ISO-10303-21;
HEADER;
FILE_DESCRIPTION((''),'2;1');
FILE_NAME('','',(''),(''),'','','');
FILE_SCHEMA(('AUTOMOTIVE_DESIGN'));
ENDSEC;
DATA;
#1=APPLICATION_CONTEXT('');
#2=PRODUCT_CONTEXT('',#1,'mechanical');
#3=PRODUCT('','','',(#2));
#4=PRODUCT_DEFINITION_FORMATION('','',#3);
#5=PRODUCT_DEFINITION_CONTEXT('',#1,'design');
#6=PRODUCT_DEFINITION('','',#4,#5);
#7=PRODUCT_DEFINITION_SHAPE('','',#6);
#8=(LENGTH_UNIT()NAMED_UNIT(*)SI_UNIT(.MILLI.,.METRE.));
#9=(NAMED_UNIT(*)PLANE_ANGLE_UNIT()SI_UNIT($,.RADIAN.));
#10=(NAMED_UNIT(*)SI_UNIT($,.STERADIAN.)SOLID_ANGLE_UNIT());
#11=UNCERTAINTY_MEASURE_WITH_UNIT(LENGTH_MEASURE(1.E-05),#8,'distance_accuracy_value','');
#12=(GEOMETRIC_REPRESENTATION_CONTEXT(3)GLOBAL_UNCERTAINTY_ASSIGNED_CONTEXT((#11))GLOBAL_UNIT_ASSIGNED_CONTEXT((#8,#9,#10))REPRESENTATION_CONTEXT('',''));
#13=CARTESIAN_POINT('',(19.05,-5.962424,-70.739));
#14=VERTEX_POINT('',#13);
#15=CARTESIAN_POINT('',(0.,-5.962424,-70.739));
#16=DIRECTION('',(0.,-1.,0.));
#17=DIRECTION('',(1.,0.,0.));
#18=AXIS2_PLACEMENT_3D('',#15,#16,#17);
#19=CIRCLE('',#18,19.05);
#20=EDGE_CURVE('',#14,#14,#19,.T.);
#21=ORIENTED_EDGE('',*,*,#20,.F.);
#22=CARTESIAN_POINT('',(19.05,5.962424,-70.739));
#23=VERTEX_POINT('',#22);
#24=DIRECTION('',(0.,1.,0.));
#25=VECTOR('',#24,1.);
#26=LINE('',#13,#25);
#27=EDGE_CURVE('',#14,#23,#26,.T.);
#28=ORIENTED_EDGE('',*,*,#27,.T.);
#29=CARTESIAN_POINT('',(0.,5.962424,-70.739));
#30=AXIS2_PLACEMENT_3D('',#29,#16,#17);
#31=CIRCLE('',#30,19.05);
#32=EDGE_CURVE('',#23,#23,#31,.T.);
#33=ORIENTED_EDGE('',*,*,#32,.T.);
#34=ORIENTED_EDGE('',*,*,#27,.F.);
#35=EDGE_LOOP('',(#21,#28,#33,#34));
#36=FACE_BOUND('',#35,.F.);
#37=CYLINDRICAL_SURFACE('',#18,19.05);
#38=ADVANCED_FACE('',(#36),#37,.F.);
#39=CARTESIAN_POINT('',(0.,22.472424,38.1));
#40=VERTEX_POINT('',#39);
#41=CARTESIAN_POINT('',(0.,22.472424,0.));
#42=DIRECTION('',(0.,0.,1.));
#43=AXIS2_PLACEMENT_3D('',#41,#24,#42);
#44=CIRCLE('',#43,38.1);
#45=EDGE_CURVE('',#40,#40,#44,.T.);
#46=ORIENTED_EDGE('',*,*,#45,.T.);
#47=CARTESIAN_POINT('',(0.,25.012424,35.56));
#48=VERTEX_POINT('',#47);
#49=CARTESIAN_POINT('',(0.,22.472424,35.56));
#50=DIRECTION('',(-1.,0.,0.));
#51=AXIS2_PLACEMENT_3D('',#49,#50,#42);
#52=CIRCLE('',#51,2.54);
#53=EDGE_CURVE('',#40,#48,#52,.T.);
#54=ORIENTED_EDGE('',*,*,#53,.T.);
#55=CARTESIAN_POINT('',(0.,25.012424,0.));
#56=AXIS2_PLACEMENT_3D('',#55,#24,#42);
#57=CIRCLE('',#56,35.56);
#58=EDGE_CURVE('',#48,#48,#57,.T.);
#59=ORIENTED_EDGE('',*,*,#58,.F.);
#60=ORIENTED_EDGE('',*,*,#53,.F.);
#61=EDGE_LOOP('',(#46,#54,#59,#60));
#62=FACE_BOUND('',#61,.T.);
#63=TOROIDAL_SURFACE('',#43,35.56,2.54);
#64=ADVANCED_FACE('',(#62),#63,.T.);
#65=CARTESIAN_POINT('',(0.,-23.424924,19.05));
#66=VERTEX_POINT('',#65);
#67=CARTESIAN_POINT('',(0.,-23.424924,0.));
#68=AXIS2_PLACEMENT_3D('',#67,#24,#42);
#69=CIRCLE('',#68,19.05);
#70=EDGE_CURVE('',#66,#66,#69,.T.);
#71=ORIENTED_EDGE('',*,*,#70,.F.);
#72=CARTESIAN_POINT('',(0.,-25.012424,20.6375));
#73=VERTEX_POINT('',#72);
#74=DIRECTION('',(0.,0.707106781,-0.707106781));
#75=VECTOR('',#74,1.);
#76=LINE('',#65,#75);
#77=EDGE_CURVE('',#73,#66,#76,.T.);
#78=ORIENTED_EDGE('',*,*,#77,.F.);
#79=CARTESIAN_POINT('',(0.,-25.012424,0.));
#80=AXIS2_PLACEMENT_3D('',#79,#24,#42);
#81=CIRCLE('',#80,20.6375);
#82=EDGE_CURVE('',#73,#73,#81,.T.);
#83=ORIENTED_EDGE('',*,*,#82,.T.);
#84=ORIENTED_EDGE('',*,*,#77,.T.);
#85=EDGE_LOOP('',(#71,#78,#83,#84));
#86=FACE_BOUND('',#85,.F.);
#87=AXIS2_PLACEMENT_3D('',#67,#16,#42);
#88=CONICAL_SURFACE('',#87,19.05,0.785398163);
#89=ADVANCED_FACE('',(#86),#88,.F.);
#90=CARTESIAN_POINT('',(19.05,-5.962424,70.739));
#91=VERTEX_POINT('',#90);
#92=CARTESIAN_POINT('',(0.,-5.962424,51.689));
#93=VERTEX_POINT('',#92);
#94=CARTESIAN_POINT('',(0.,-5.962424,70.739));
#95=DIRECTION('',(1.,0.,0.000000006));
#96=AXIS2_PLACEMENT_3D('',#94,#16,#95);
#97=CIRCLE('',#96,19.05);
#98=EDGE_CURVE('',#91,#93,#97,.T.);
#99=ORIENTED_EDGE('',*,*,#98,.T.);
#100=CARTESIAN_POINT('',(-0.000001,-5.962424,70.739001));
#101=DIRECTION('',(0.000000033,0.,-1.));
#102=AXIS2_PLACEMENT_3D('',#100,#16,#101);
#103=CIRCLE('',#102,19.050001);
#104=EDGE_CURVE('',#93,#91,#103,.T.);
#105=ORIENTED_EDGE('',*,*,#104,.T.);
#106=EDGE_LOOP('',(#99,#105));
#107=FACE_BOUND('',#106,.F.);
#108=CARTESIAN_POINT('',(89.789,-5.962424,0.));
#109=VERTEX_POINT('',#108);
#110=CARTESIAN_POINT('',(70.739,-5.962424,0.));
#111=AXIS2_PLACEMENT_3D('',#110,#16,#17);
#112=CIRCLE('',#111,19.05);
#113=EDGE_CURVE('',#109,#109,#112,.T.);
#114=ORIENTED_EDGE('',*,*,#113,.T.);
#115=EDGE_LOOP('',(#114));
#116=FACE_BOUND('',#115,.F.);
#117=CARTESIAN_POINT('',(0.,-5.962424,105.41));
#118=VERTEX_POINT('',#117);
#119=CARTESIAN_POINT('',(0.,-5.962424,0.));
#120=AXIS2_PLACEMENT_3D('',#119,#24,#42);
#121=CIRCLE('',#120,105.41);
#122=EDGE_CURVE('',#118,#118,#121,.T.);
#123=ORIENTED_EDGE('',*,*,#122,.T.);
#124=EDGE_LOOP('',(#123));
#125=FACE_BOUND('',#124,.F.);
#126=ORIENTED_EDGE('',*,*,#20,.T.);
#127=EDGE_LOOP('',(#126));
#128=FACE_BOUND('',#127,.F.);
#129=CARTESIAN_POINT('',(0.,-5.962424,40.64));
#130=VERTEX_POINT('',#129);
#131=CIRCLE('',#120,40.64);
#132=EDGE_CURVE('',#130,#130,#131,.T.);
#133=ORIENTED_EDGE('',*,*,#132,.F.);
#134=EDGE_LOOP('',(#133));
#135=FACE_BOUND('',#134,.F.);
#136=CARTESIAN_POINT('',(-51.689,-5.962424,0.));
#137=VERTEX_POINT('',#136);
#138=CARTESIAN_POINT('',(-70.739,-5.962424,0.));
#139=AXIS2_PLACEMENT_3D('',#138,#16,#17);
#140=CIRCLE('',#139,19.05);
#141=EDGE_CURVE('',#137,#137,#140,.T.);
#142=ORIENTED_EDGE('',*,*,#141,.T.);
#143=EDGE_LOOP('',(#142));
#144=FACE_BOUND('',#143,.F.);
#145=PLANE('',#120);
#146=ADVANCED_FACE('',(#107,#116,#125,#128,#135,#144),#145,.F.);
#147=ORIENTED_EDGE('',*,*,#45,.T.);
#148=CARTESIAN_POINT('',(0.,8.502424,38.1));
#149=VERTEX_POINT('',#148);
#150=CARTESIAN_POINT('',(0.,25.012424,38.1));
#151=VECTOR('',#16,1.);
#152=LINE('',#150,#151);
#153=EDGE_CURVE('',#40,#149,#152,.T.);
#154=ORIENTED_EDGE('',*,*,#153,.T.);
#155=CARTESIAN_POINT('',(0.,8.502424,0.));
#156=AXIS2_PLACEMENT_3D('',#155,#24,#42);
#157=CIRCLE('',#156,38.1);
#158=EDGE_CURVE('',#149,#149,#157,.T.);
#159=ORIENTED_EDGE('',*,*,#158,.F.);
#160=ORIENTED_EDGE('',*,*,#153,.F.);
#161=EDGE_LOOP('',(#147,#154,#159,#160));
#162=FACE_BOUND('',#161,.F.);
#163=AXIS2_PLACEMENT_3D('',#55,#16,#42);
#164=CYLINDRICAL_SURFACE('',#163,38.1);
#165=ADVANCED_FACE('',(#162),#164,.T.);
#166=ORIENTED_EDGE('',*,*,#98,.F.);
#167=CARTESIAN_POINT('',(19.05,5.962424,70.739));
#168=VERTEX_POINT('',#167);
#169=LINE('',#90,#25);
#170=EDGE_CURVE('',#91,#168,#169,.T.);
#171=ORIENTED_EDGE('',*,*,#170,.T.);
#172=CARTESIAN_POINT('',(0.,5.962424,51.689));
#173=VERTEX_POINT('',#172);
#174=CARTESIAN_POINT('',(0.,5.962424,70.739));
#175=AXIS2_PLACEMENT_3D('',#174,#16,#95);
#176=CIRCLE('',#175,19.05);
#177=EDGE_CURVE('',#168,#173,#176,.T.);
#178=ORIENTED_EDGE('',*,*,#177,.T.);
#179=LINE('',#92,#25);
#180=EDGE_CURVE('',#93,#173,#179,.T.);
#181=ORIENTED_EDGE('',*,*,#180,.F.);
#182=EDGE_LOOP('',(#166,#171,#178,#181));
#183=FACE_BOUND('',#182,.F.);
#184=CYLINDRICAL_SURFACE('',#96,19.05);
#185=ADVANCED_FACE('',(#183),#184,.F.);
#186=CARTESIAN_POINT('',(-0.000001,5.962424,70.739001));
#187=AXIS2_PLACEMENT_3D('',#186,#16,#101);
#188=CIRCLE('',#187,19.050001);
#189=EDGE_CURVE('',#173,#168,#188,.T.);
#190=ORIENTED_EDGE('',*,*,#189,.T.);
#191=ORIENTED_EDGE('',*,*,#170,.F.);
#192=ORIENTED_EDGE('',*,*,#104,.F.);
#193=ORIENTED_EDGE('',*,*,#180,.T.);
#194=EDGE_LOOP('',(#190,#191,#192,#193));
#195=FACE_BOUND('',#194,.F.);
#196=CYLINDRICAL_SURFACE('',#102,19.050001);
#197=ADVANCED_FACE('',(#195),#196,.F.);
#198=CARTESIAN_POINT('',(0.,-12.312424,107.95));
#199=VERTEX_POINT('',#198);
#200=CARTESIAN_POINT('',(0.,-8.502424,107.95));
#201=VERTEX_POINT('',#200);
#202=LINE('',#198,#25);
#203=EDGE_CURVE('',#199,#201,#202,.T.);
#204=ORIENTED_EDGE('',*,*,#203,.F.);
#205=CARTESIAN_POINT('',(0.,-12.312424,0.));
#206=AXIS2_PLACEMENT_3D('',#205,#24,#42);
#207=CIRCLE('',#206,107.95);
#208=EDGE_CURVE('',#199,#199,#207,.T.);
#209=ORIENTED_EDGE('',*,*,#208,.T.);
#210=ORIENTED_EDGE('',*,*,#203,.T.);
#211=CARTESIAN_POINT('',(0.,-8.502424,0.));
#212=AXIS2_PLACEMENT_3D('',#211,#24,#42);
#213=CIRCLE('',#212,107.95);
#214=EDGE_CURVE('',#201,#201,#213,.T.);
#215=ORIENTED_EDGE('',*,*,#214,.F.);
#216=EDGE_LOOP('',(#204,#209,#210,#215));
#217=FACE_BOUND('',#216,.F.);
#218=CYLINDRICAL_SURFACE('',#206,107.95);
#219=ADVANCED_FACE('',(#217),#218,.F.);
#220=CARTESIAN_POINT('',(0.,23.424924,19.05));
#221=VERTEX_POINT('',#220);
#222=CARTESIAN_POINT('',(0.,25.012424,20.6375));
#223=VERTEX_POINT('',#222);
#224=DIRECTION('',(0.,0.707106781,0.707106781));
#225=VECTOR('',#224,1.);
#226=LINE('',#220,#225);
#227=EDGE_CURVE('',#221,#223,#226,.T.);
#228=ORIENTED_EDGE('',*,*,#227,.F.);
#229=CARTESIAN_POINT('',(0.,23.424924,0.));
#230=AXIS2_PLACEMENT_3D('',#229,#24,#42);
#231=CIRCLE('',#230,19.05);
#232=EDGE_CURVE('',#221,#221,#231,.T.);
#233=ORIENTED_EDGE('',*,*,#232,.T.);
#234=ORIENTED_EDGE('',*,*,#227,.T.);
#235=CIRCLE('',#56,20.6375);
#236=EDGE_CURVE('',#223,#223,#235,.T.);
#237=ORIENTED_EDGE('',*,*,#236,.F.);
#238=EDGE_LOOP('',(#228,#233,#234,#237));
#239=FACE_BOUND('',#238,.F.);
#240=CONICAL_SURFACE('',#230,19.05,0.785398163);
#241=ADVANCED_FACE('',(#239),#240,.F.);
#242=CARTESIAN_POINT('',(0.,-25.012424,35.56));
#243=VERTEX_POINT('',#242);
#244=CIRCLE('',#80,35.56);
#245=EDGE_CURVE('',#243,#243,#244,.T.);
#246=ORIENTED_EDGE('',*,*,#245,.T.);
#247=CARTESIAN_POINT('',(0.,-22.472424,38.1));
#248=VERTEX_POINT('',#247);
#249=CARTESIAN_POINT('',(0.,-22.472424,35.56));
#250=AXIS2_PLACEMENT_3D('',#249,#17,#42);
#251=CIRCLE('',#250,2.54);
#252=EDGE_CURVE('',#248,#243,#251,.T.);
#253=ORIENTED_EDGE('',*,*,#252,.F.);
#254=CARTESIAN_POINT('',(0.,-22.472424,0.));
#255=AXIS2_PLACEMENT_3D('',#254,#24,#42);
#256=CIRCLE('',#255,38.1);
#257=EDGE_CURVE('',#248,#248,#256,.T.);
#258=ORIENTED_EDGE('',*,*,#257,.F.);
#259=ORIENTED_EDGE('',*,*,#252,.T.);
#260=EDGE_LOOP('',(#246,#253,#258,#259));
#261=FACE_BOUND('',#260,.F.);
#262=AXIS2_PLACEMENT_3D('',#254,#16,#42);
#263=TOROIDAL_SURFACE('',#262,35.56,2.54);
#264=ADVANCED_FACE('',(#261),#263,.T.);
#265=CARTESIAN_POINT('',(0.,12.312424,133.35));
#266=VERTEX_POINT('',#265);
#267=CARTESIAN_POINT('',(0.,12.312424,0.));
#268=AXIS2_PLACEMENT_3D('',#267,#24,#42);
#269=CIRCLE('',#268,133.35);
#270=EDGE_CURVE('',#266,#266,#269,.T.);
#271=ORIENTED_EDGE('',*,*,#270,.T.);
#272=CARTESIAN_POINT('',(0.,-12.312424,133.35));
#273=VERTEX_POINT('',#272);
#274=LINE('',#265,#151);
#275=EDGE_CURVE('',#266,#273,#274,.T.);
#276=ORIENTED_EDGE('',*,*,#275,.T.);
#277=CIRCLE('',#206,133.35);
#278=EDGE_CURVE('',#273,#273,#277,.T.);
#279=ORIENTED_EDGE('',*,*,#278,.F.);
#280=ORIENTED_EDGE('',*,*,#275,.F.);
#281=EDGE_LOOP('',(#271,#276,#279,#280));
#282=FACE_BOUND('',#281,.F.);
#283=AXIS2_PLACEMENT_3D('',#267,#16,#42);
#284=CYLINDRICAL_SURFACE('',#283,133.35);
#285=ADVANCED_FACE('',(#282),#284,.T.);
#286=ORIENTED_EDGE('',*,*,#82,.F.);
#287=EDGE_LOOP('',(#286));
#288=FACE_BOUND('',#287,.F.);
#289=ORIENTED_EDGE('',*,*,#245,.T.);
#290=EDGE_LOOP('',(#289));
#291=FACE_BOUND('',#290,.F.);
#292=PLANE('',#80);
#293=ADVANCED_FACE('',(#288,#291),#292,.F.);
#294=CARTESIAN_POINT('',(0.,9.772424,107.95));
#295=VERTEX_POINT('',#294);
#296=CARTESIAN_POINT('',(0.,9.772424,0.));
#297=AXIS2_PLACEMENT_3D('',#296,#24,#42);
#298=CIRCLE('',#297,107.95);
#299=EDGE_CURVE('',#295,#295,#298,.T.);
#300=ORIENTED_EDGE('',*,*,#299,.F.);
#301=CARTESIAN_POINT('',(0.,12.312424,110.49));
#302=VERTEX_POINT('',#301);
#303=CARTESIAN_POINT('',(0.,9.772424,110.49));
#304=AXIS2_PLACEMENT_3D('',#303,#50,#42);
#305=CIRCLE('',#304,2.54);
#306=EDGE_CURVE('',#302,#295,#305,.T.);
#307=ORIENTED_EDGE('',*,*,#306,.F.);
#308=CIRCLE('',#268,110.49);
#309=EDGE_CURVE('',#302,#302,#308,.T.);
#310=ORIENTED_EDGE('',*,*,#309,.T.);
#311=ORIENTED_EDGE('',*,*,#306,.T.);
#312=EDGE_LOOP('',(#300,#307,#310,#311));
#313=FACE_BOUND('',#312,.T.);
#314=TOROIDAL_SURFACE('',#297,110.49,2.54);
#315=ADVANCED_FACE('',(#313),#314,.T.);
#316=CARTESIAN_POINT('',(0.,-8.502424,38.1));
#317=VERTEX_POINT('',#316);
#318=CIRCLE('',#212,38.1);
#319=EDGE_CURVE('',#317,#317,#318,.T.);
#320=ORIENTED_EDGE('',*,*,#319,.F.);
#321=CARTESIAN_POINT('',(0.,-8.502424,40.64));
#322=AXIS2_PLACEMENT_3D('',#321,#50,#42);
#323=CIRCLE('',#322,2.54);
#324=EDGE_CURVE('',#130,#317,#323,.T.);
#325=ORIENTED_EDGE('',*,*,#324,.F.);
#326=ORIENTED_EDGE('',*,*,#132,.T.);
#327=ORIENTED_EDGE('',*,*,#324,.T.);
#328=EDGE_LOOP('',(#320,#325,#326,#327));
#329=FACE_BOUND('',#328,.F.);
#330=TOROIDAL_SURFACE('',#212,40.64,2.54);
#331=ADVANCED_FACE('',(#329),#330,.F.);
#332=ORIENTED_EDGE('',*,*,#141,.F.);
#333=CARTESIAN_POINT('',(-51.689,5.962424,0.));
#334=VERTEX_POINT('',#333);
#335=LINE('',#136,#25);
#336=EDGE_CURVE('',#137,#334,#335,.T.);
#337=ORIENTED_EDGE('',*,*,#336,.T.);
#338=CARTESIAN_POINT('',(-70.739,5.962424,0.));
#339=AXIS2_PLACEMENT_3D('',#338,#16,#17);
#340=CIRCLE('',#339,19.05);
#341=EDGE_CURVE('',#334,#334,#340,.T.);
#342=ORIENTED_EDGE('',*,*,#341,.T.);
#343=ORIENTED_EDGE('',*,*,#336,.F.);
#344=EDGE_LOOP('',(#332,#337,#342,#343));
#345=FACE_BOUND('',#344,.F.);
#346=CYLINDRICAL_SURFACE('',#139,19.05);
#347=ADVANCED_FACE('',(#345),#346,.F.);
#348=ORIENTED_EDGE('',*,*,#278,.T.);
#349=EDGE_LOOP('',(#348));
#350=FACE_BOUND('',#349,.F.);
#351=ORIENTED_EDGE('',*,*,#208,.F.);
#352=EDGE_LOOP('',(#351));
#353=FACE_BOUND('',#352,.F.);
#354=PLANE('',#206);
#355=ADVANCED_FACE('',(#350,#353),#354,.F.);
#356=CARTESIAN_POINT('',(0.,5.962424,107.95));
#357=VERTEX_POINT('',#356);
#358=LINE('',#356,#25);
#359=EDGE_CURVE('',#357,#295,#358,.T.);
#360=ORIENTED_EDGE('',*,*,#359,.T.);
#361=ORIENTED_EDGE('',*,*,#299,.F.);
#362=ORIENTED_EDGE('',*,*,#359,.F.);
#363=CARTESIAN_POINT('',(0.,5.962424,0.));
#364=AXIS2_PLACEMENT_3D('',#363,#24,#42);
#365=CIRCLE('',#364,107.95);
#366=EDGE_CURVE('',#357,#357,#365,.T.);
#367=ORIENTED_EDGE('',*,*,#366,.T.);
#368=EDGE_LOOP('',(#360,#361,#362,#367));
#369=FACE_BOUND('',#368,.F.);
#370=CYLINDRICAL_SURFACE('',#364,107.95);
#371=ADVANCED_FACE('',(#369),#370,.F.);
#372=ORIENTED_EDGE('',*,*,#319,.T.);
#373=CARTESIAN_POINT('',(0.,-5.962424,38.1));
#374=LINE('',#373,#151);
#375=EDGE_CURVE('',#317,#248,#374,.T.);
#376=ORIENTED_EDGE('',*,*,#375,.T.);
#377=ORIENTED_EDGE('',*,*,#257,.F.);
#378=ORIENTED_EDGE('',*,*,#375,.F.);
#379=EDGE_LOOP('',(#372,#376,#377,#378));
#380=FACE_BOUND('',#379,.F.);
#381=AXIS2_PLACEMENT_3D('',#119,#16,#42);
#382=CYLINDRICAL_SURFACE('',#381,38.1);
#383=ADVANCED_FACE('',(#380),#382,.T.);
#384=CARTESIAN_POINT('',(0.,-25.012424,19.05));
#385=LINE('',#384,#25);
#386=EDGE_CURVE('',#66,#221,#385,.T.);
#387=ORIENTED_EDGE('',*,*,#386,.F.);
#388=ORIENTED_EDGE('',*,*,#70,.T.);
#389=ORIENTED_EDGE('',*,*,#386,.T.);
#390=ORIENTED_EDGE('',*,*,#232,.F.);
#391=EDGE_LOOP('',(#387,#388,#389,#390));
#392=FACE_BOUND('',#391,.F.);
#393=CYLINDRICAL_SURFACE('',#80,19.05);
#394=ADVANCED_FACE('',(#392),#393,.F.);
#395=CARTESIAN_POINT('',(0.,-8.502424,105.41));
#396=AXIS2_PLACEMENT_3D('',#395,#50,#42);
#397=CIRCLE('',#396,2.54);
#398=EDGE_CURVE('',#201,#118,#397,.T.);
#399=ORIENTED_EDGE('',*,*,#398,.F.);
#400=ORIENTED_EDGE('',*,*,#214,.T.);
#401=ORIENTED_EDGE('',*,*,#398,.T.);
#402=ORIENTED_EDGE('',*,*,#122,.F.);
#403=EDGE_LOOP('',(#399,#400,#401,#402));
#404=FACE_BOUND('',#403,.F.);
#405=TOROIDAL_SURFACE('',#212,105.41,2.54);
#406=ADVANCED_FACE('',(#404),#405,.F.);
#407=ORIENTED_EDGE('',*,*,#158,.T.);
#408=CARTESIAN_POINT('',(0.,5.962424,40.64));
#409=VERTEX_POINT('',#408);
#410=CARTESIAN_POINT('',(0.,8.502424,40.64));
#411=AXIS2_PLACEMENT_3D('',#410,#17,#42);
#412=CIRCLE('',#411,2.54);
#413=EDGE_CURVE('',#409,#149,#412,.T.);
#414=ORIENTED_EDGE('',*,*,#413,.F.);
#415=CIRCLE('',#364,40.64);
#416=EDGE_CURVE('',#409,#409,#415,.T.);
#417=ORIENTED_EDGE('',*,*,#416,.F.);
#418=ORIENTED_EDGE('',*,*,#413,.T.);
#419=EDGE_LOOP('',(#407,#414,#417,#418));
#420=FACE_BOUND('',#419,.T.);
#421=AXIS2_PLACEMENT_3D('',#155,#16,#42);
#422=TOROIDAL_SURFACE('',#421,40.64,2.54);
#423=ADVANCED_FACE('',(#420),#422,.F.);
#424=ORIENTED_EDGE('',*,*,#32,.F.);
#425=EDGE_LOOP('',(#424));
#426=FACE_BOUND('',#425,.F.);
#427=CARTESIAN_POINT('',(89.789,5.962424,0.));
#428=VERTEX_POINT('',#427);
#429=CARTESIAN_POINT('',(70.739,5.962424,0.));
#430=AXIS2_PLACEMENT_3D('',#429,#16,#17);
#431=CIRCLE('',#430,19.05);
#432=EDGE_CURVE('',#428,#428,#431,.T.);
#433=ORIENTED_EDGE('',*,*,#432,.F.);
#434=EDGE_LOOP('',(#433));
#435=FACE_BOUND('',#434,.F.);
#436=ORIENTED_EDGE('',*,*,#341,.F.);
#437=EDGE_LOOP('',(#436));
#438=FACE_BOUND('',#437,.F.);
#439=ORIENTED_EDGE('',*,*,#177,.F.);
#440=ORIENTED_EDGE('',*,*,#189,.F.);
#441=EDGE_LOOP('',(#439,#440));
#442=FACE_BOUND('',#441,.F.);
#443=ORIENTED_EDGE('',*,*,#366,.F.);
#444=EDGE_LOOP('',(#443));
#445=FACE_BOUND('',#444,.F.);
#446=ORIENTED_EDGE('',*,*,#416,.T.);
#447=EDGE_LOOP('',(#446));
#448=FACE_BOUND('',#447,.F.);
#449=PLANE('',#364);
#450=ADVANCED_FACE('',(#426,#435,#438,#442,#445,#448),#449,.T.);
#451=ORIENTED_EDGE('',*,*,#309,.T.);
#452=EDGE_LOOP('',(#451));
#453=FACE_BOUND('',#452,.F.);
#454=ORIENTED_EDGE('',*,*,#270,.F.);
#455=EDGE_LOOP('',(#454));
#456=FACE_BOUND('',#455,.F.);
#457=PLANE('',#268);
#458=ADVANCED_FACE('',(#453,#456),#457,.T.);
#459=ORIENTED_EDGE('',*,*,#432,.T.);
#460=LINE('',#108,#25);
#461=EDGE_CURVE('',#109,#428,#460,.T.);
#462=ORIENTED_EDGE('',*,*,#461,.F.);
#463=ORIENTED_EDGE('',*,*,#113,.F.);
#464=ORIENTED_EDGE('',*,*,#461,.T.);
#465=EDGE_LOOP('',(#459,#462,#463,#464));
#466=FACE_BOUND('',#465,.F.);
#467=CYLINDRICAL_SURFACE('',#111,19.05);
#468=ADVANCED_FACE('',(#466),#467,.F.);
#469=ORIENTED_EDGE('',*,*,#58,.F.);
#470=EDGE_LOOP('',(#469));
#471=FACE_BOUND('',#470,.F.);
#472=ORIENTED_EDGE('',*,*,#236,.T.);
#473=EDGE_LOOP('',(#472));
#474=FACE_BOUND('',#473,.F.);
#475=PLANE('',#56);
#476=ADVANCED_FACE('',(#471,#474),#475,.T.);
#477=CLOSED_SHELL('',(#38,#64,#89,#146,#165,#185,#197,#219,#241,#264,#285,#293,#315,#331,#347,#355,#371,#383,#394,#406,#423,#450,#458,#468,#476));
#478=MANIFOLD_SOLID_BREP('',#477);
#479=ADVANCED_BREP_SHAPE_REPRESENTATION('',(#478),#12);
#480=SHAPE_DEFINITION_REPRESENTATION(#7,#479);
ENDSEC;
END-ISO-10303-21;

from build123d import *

# Parameters (mm, degrees)
F2_R     = 19.05
F3_DEPTH = 25.4
F4_R     = 2.54
F5_SIZE  = 1.5875


with BuildPart() as f1:
    # F0 (on Right) → F1 (revolve)
    with BuildSketch(Plane.YZ):
        Polygon((-5.962424, 19.05), (0, 19.05), (0, 133.35), (-12.312424, 133.35), (-12.312424, 107.95), (-5.962424, 107.95), (-5.962424, 38.1), (-12.312424, 38.1), (-25.012424, 38.1), (-25.012424, 19.05), align=None)
        Polygon((0, 19.05), (5.962424, 19.05), (25.012424, 19.05), (25.012424, 38.1), (12.312424, 38.1), (5.962424, 38.1), (5.962424, 107.95), (12.312424, 107.95), (12.312424, 133.35), (5.962424, 133.35), (0, 133.35), align=None)
    revolve(axis=Axis((0, 36.981776, 0), (0, 1, 0)))

    # F2 (on face) → F3 (cut)
    with BuildSketch(Plane.XZ.offset(5.962424)):
        with BuildLine():
            ThreePointArc((19.05, 70.739), (-13.470384, 84.209384), (0, 51.689))
            ThreePointArc((0, 51.689), (13.470384, 57.268616), (19.05, 70.739))
        make_face()
        with Locations((70.739, 0)):
            Circle(F2_R)
        with Locations((0, -70.739)):
            Circle(F2_R)
        with Locations((-70.739, 0)):
            Circle(F2_R)
    extrude(amount=-F3_DEPTH, mode=Mode.SUBTRACT)

    # F4
    f4_edges = [f1.edges().sort_by_distance(p)[0] for p in [
        (0, -25.012424, -38.1),
        (0, -5.962424, -38.1),
        (0, -5.962424, -107.95),
        (0, 25.012424, -38.1),
        (0, 5.962424, -38.1),
        (0, 12.312424, -107.95),
    ]]
    fillet(f4_edges, radius=F4_R)

    # F5
    f5_edges = [f1.edges().sort_by_distance(p)[0] for p in [
        (0, -25.012424, -19.05),
        (0, 25.012424, -19.05),
    ]]
    chamfer(f5_edges, length=F5_SIZE)


solid = f1.part
